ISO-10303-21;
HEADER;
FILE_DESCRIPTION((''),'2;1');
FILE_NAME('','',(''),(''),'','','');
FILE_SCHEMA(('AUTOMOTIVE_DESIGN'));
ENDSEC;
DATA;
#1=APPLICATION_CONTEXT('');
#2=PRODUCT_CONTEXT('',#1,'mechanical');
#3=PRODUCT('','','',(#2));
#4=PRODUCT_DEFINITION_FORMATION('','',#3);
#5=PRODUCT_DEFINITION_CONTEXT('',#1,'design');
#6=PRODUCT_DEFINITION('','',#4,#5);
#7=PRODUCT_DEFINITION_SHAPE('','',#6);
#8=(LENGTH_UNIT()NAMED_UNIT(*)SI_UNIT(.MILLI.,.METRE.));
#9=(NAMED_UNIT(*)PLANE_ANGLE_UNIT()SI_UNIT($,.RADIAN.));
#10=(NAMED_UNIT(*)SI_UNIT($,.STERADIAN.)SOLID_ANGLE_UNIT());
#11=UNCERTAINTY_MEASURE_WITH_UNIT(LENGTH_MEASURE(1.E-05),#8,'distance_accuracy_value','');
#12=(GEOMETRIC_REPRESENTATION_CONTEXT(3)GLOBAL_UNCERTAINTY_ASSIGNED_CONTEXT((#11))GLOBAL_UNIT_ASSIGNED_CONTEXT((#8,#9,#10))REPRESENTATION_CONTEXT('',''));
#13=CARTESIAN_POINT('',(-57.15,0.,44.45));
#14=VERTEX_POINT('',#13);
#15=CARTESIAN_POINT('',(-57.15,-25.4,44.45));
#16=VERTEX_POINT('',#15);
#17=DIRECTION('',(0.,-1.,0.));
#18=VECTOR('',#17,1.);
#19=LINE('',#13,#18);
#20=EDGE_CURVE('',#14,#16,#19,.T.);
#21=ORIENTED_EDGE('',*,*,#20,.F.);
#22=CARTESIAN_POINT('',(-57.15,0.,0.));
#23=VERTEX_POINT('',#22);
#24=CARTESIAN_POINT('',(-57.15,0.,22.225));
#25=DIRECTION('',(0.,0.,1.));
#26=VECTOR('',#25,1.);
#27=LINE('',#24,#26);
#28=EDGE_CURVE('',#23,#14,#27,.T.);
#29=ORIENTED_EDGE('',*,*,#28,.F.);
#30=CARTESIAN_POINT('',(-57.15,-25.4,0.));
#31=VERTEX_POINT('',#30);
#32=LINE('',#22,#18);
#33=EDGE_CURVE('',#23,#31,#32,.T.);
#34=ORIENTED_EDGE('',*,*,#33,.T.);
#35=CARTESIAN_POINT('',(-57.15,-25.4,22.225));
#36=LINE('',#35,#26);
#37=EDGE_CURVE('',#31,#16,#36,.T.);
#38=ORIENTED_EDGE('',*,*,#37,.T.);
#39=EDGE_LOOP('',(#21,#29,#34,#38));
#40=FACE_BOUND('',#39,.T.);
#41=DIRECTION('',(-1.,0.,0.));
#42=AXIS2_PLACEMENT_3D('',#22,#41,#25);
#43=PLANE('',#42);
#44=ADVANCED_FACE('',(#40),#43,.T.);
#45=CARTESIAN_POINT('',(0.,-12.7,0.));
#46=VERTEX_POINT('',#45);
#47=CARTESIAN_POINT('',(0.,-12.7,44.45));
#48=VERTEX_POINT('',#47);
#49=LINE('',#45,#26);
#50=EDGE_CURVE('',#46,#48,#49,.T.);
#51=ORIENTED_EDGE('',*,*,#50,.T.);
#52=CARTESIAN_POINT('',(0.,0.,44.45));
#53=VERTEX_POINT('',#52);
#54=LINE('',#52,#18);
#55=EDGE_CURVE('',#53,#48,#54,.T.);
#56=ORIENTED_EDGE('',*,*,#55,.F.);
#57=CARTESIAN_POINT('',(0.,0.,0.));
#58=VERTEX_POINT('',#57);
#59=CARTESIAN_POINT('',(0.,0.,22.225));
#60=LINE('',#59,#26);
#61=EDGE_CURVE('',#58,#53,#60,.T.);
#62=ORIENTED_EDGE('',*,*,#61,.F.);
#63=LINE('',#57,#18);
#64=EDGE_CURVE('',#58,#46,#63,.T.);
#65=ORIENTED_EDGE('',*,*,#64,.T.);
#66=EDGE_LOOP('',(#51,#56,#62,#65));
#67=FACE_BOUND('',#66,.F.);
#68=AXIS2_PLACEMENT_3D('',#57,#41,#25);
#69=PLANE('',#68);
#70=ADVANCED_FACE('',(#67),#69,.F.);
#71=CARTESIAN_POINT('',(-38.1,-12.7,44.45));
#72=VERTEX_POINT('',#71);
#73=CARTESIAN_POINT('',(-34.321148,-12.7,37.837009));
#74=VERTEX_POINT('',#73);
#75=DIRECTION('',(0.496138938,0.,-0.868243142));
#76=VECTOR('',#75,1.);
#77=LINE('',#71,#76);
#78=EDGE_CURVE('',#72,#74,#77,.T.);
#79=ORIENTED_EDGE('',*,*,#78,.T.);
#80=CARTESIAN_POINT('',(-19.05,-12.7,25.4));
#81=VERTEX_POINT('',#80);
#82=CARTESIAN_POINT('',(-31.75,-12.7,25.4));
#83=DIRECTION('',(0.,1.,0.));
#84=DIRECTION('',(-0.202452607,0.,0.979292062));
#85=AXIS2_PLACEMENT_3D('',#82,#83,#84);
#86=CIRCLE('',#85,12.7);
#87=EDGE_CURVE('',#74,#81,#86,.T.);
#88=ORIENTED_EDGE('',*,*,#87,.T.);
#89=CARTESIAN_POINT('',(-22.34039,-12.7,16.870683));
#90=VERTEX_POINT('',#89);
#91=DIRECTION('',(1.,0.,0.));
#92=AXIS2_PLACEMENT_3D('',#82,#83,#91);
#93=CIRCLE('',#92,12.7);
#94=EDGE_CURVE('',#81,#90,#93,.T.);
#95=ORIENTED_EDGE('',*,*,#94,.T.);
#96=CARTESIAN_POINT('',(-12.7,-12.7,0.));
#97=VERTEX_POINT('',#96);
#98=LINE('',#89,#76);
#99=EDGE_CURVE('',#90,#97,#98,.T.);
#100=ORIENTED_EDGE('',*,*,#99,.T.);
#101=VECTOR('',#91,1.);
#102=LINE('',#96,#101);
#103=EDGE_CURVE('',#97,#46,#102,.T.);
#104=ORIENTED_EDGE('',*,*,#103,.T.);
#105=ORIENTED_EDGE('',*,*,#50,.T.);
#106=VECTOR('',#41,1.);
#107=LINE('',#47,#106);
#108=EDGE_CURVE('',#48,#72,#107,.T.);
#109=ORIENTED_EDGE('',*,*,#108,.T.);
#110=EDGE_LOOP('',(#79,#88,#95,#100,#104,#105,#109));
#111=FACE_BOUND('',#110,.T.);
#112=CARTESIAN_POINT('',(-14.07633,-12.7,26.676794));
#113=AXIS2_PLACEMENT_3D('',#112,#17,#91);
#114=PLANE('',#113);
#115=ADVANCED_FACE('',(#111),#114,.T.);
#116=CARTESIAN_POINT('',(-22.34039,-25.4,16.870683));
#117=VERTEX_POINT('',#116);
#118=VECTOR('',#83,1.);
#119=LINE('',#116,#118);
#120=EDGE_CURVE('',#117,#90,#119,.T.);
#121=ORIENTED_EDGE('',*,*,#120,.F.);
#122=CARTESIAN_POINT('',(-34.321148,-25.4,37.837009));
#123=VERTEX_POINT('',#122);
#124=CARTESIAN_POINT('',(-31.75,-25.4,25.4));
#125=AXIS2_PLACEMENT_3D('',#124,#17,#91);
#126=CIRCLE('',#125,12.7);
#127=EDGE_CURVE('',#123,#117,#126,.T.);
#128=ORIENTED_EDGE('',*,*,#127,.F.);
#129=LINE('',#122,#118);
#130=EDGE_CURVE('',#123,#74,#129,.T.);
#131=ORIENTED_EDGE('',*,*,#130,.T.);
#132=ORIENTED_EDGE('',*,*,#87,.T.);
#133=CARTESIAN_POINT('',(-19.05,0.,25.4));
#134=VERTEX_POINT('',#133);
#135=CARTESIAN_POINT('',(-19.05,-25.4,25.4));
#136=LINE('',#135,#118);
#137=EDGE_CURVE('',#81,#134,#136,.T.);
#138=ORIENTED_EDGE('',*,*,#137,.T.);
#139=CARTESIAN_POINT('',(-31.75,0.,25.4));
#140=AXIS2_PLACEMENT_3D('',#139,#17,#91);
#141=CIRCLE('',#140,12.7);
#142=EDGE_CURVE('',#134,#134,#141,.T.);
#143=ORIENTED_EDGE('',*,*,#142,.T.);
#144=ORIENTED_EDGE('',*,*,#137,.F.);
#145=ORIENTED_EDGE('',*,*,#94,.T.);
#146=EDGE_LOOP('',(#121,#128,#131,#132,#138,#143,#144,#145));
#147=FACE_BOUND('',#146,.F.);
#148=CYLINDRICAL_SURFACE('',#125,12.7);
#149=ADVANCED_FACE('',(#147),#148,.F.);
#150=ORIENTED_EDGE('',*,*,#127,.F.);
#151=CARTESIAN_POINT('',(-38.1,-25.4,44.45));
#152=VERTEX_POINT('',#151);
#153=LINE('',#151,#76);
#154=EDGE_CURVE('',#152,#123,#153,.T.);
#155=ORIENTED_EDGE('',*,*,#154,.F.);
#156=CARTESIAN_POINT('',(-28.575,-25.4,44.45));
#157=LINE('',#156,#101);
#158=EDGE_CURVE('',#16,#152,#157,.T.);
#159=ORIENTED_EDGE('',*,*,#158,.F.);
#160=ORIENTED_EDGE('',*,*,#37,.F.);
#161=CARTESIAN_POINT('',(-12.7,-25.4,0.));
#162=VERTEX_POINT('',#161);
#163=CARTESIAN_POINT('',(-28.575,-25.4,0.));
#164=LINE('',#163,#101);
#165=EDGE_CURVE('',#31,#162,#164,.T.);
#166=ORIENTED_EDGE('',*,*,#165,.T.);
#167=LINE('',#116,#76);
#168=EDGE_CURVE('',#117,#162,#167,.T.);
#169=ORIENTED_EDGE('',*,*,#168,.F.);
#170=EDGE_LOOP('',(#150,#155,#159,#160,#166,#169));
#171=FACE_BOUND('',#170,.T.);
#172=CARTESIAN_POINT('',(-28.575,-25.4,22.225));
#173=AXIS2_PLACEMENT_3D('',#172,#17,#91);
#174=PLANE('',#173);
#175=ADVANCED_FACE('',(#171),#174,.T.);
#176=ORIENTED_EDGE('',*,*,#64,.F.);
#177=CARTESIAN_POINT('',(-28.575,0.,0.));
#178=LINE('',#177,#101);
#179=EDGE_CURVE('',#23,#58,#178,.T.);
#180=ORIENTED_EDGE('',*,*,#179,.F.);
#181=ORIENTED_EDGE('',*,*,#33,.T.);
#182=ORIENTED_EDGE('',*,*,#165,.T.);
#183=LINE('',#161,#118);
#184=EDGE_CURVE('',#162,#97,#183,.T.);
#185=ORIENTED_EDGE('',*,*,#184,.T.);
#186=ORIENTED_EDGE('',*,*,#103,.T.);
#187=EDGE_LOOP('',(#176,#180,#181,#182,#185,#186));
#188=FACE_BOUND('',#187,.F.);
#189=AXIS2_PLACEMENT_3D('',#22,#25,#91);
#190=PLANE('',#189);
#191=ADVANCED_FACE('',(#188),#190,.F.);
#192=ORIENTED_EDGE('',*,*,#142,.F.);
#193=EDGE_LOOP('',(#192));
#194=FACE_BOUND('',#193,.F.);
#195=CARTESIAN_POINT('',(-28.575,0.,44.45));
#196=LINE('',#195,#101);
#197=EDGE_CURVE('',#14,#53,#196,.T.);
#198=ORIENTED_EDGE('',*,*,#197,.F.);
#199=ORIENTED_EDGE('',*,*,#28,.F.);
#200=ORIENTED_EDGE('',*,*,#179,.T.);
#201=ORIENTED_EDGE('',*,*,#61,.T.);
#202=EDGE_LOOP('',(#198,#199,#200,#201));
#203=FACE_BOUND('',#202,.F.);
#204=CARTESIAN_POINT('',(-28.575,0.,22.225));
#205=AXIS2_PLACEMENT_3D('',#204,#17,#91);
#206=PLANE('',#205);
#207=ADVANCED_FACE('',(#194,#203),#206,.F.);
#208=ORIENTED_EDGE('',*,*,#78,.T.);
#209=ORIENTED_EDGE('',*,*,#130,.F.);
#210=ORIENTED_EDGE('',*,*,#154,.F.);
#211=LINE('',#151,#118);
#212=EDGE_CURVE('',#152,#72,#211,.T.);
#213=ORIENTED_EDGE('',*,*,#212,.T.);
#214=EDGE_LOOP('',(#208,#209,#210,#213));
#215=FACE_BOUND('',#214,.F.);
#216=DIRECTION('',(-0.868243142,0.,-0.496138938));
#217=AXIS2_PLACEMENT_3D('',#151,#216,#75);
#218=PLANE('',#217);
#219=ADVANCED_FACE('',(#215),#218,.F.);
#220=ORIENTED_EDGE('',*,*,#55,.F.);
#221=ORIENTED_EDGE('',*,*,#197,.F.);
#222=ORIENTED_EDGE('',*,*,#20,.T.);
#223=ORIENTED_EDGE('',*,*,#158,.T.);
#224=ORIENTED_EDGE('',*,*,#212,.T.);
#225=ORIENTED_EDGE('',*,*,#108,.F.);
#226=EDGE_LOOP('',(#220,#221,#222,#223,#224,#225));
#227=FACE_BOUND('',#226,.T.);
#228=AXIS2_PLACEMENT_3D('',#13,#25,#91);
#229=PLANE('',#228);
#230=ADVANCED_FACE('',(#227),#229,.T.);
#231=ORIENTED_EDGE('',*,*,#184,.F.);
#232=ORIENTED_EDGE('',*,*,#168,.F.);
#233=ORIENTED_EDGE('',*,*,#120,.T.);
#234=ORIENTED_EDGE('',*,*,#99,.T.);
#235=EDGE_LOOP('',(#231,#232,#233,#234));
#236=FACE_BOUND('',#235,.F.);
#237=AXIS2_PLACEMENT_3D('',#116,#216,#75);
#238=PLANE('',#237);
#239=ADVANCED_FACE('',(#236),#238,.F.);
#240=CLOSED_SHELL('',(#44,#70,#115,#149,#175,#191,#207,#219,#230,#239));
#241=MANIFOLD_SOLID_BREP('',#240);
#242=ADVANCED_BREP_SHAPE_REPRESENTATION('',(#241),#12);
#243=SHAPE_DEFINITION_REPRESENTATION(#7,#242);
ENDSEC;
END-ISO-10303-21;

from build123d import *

# Parameters (mm, degrees)
F0_W     = 57.15
F0_H     = 44.45
F1_DEPTH = 25.4
F2_R     = 12.7
F3_DEPTH = 25.401
F5_DEPTH = 12.7


with BuildPart() as f1:
    # F0 (on Front) → F1 (new body)
    with BuildSketch(Plane.XZ):
        with Locations((-28.575, 22.225)):
            Rectangle(F0_W, F0_H)
    extrude(amount=F1_DEPTH)

    # F2 (on face) → F3 (cut, through all)
    with BuildSketch(Plane.XZ.offset(25.4)):
        with Locations((-31.75, 25.4)):
            Circle(F2_R)
    extrude(amount=-F3_DEPTH, mode=Mode.SUBTRACT)

    # F4 (on face) → F5 (cut)
    with BuildSketch(Plane.XZ.offset(25.4)):
        with BuildLine():
            Line((0, 44.45), (-38.1, 44.45))
            Line((-38.1, 44.45), (-34.3211481047, 37.8370091832))
            ThreePointArc((-34.3211481047, 37.8370091832), (-23.7301365638, 35.2474255755), (-19.05, 25.4))
            ThreePointArc((-19.05, 25.4), (-19.9011173002, 20.8290068075), (-22.3403903568, 16.8706831245))
            Line((-22.3403903568, 16.8706831245), (-12.7, 0))
            Line((-12.7, 0), (0, 0))
            Line((0, 0), (0, 44.45))
        make_face()
    extrude(amount=-F5_DEPTH, mode=Mode.SUBTRACT)


solid = f1.part
